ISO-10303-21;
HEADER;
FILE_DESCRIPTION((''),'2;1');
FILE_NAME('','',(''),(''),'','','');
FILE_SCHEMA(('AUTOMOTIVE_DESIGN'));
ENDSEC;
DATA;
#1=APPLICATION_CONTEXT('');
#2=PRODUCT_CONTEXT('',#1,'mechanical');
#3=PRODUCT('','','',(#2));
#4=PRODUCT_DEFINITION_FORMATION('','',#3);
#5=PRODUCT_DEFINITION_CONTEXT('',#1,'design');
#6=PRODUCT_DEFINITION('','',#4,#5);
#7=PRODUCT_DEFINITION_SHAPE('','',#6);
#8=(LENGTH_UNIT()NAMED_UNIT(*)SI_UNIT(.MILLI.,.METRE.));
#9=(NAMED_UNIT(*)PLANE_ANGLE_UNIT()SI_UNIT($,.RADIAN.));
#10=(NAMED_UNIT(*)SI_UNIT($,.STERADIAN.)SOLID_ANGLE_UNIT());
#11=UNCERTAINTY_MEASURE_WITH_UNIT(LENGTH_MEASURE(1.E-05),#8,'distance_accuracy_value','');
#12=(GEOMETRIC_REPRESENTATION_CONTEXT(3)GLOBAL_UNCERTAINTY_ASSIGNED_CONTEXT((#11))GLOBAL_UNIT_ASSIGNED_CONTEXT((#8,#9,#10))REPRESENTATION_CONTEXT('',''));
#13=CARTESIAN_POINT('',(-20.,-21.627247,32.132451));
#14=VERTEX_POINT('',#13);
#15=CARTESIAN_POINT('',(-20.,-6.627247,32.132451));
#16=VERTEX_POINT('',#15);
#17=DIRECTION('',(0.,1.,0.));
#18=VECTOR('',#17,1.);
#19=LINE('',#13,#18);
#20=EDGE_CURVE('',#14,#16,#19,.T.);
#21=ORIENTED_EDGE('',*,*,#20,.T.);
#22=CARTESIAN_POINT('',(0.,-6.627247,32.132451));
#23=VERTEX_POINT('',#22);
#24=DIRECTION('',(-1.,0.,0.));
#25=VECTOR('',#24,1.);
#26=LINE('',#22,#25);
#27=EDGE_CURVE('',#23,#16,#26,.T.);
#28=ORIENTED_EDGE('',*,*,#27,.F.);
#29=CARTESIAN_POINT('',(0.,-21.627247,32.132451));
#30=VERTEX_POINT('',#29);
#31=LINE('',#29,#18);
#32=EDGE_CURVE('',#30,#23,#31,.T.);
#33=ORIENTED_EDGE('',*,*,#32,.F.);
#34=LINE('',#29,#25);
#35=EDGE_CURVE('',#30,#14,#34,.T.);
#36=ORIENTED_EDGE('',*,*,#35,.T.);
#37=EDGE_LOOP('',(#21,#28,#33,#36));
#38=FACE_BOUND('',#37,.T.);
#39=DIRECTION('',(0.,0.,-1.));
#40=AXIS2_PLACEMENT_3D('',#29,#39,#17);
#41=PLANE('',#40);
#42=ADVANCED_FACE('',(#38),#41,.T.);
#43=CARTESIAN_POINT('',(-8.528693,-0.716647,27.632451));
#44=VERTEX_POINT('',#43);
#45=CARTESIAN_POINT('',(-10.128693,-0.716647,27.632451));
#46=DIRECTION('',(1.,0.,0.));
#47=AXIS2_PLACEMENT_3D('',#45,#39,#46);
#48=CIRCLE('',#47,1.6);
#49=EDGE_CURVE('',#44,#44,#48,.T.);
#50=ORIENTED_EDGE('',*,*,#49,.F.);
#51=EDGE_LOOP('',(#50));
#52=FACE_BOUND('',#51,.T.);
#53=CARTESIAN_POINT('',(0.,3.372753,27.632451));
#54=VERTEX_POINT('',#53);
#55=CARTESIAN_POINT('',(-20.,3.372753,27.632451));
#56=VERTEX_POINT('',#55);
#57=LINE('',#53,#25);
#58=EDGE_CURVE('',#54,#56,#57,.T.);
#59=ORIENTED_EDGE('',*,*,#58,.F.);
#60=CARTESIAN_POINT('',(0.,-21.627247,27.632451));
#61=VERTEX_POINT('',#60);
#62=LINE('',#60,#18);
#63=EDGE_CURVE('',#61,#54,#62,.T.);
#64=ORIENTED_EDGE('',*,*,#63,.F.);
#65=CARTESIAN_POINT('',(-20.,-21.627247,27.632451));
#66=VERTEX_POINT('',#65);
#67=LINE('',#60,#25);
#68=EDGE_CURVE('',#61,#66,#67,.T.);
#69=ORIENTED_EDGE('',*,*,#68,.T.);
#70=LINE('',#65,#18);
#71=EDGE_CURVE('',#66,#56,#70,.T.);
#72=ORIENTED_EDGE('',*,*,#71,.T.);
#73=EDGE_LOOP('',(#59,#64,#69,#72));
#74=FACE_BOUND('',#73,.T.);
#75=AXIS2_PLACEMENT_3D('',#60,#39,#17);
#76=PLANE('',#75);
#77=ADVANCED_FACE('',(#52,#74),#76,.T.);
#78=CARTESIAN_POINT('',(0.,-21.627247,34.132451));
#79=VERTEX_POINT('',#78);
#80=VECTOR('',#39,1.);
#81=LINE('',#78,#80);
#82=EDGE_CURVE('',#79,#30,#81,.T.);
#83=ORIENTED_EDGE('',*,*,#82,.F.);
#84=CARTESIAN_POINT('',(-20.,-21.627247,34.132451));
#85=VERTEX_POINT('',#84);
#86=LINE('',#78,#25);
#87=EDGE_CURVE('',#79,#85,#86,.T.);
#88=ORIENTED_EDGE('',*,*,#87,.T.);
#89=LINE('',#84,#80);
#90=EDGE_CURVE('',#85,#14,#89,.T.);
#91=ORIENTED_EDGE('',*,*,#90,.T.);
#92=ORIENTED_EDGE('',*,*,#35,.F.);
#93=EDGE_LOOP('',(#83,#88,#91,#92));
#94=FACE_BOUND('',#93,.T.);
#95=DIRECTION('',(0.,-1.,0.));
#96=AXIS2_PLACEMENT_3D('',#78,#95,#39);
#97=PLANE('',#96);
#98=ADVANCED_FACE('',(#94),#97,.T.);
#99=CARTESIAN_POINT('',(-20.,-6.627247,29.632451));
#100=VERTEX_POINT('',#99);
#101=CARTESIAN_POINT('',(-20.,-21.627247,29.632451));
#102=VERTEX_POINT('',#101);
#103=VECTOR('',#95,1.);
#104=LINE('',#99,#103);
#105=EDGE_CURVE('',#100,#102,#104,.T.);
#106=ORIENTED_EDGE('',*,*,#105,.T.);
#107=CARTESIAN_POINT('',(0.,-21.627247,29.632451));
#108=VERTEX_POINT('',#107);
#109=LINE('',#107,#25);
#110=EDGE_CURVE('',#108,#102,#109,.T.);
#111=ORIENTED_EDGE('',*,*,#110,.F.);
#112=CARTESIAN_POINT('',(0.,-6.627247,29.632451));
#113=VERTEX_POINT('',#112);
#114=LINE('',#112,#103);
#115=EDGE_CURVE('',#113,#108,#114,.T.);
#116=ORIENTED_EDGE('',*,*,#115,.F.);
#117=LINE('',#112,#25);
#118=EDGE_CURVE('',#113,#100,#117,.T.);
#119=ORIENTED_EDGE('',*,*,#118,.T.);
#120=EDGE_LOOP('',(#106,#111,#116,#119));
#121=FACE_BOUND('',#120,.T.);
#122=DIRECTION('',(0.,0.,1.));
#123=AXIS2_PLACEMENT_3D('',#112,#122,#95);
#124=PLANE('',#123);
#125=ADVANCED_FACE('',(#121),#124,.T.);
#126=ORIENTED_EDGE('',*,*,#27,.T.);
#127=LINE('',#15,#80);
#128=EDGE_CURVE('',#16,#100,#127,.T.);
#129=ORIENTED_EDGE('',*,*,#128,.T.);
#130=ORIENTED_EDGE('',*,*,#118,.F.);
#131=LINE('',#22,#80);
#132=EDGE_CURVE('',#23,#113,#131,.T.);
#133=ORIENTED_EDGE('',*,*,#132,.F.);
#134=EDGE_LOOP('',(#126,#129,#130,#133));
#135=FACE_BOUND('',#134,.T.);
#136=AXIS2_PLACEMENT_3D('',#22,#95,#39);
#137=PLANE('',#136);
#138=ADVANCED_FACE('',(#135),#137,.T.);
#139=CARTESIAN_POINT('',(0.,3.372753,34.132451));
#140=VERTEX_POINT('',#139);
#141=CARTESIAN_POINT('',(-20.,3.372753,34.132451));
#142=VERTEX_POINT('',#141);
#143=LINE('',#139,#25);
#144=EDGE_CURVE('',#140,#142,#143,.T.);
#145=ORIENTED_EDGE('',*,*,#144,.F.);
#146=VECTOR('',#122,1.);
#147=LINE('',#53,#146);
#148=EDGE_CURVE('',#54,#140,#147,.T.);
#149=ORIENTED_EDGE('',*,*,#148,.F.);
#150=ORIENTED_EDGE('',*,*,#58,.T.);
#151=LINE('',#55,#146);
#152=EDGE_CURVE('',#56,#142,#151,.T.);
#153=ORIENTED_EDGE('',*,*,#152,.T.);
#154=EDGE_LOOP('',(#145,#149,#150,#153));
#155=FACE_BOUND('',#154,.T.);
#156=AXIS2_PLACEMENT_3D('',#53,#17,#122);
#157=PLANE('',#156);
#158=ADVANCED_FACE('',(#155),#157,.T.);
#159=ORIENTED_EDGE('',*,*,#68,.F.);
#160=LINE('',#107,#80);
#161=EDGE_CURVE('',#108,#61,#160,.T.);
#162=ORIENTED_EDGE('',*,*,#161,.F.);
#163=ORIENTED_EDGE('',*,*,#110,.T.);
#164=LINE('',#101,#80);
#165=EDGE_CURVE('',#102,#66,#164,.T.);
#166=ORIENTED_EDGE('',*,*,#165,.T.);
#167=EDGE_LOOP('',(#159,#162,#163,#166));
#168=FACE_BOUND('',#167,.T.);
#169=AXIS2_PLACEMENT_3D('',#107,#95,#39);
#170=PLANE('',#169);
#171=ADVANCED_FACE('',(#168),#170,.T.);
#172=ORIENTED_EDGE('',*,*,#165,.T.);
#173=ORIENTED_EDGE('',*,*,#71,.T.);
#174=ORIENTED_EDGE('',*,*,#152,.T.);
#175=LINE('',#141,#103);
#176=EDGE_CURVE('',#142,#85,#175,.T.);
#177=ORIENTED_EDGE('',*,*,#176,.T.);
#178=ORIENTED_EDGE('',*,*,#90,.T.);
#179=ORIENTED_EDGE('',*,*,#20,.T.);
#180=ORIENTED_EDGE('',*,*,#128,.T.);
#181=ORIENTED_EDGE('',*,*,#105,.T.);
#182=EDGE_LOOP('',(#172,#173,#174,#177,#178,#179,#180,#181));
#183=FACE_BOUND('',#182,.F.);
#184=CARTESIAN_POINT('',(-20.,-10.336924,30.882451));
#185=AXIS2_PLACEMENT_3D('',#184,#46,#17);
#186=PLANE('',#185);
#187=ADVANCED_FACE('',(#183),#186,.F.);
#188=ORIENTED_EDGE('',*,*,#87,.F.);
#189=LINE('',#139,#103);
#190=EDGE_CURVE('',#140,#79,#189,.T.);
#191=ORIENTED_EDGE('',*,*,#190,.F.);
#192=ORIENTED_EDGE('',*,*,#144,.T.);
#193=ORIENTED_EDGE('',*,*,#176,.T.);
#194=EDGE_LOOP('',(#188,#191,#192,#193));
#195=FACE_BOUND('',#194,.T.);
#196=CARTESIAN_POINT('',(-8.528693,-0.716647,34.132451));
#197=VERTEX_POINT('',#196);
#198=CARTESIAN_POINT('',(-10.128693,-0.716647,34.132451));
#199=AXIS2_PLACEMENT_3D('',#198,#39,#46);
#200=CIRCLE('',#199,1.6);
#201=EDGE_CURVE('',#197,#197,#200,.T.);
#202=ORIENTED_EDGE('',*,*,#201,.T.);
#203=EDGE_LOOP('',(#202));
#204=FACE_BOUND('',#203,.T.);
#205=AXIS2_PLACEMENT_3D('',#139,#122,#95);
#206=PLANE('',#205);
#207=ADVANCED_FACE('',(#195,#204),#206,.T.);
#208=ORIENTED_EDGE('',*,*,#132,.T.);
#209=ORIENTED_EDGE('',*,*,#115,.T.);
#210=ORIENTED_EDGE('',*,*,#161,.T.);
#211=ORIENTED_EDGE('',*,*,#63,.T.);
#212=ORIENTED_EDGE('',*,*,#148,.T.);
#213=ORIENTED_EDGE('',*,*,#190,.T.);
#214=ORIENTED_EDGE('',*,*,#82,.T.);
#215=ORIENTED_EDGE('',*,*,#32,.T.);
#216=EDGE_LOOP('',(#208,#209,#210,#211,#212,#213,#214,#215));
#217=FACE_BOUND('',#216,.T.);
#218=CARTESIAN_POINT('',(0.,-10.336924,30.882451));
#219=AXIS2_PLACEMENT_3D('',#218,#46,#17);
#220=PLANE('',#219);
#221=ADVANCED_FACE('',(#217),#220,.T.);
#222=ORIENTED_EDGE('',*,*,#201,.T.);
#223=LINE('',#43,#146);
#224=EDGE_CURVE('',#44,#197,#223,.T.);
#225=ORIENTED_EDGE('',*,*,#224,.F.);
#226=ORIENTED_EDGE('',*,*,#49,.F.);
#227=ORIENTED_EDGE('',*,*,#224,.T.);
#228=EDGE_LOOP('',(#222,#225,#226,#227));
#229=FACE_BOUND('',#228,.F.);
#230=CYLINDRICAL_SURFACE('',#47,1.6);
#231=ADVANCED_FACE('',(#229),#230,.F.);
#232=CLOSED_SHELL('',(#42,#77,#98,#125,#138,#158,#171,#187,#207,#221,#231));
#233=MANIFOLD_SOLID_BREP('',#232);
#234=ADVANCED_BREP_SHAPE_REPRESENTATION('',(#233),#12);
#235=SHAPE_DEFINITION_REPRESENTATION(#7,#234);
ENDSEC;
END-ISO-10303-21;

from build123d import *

# Parameters (mm, degrees)
F1_DEPTH = 20
F2_R     = 1.6
F3_DEPTH = 6.5


with BuildPart() as f1:
    # F0 (on Right) → F1 (new body)
    with BuildSketch(Plane.YZ):
        Polygon((3.372753, 34.132451), (-21.627247, 34.132451), (-21.627247, 32.132451), (-6.627247, 32.132451), (-6.627247, 29.632451), (-21.627247, 29.632451), (-21.627247, 27.632451), (3.372753, 27.632451), align=None)
    extrude(amount=-F1_DEPTH)

    # F2 (on face) → F3 (cut)
    with BuildSketch(Plane(origin=(0, 0, 27.632451), x_dir=(1, 0, 0), z_dir=(0, 0, -1))):
        with Locations((-10.128693, 0.716647)):
            Circle(F2_R)
    extrude(amount=-F3_DEPTH, mode=Mode.SUBTRACT)


solid = f1.part
